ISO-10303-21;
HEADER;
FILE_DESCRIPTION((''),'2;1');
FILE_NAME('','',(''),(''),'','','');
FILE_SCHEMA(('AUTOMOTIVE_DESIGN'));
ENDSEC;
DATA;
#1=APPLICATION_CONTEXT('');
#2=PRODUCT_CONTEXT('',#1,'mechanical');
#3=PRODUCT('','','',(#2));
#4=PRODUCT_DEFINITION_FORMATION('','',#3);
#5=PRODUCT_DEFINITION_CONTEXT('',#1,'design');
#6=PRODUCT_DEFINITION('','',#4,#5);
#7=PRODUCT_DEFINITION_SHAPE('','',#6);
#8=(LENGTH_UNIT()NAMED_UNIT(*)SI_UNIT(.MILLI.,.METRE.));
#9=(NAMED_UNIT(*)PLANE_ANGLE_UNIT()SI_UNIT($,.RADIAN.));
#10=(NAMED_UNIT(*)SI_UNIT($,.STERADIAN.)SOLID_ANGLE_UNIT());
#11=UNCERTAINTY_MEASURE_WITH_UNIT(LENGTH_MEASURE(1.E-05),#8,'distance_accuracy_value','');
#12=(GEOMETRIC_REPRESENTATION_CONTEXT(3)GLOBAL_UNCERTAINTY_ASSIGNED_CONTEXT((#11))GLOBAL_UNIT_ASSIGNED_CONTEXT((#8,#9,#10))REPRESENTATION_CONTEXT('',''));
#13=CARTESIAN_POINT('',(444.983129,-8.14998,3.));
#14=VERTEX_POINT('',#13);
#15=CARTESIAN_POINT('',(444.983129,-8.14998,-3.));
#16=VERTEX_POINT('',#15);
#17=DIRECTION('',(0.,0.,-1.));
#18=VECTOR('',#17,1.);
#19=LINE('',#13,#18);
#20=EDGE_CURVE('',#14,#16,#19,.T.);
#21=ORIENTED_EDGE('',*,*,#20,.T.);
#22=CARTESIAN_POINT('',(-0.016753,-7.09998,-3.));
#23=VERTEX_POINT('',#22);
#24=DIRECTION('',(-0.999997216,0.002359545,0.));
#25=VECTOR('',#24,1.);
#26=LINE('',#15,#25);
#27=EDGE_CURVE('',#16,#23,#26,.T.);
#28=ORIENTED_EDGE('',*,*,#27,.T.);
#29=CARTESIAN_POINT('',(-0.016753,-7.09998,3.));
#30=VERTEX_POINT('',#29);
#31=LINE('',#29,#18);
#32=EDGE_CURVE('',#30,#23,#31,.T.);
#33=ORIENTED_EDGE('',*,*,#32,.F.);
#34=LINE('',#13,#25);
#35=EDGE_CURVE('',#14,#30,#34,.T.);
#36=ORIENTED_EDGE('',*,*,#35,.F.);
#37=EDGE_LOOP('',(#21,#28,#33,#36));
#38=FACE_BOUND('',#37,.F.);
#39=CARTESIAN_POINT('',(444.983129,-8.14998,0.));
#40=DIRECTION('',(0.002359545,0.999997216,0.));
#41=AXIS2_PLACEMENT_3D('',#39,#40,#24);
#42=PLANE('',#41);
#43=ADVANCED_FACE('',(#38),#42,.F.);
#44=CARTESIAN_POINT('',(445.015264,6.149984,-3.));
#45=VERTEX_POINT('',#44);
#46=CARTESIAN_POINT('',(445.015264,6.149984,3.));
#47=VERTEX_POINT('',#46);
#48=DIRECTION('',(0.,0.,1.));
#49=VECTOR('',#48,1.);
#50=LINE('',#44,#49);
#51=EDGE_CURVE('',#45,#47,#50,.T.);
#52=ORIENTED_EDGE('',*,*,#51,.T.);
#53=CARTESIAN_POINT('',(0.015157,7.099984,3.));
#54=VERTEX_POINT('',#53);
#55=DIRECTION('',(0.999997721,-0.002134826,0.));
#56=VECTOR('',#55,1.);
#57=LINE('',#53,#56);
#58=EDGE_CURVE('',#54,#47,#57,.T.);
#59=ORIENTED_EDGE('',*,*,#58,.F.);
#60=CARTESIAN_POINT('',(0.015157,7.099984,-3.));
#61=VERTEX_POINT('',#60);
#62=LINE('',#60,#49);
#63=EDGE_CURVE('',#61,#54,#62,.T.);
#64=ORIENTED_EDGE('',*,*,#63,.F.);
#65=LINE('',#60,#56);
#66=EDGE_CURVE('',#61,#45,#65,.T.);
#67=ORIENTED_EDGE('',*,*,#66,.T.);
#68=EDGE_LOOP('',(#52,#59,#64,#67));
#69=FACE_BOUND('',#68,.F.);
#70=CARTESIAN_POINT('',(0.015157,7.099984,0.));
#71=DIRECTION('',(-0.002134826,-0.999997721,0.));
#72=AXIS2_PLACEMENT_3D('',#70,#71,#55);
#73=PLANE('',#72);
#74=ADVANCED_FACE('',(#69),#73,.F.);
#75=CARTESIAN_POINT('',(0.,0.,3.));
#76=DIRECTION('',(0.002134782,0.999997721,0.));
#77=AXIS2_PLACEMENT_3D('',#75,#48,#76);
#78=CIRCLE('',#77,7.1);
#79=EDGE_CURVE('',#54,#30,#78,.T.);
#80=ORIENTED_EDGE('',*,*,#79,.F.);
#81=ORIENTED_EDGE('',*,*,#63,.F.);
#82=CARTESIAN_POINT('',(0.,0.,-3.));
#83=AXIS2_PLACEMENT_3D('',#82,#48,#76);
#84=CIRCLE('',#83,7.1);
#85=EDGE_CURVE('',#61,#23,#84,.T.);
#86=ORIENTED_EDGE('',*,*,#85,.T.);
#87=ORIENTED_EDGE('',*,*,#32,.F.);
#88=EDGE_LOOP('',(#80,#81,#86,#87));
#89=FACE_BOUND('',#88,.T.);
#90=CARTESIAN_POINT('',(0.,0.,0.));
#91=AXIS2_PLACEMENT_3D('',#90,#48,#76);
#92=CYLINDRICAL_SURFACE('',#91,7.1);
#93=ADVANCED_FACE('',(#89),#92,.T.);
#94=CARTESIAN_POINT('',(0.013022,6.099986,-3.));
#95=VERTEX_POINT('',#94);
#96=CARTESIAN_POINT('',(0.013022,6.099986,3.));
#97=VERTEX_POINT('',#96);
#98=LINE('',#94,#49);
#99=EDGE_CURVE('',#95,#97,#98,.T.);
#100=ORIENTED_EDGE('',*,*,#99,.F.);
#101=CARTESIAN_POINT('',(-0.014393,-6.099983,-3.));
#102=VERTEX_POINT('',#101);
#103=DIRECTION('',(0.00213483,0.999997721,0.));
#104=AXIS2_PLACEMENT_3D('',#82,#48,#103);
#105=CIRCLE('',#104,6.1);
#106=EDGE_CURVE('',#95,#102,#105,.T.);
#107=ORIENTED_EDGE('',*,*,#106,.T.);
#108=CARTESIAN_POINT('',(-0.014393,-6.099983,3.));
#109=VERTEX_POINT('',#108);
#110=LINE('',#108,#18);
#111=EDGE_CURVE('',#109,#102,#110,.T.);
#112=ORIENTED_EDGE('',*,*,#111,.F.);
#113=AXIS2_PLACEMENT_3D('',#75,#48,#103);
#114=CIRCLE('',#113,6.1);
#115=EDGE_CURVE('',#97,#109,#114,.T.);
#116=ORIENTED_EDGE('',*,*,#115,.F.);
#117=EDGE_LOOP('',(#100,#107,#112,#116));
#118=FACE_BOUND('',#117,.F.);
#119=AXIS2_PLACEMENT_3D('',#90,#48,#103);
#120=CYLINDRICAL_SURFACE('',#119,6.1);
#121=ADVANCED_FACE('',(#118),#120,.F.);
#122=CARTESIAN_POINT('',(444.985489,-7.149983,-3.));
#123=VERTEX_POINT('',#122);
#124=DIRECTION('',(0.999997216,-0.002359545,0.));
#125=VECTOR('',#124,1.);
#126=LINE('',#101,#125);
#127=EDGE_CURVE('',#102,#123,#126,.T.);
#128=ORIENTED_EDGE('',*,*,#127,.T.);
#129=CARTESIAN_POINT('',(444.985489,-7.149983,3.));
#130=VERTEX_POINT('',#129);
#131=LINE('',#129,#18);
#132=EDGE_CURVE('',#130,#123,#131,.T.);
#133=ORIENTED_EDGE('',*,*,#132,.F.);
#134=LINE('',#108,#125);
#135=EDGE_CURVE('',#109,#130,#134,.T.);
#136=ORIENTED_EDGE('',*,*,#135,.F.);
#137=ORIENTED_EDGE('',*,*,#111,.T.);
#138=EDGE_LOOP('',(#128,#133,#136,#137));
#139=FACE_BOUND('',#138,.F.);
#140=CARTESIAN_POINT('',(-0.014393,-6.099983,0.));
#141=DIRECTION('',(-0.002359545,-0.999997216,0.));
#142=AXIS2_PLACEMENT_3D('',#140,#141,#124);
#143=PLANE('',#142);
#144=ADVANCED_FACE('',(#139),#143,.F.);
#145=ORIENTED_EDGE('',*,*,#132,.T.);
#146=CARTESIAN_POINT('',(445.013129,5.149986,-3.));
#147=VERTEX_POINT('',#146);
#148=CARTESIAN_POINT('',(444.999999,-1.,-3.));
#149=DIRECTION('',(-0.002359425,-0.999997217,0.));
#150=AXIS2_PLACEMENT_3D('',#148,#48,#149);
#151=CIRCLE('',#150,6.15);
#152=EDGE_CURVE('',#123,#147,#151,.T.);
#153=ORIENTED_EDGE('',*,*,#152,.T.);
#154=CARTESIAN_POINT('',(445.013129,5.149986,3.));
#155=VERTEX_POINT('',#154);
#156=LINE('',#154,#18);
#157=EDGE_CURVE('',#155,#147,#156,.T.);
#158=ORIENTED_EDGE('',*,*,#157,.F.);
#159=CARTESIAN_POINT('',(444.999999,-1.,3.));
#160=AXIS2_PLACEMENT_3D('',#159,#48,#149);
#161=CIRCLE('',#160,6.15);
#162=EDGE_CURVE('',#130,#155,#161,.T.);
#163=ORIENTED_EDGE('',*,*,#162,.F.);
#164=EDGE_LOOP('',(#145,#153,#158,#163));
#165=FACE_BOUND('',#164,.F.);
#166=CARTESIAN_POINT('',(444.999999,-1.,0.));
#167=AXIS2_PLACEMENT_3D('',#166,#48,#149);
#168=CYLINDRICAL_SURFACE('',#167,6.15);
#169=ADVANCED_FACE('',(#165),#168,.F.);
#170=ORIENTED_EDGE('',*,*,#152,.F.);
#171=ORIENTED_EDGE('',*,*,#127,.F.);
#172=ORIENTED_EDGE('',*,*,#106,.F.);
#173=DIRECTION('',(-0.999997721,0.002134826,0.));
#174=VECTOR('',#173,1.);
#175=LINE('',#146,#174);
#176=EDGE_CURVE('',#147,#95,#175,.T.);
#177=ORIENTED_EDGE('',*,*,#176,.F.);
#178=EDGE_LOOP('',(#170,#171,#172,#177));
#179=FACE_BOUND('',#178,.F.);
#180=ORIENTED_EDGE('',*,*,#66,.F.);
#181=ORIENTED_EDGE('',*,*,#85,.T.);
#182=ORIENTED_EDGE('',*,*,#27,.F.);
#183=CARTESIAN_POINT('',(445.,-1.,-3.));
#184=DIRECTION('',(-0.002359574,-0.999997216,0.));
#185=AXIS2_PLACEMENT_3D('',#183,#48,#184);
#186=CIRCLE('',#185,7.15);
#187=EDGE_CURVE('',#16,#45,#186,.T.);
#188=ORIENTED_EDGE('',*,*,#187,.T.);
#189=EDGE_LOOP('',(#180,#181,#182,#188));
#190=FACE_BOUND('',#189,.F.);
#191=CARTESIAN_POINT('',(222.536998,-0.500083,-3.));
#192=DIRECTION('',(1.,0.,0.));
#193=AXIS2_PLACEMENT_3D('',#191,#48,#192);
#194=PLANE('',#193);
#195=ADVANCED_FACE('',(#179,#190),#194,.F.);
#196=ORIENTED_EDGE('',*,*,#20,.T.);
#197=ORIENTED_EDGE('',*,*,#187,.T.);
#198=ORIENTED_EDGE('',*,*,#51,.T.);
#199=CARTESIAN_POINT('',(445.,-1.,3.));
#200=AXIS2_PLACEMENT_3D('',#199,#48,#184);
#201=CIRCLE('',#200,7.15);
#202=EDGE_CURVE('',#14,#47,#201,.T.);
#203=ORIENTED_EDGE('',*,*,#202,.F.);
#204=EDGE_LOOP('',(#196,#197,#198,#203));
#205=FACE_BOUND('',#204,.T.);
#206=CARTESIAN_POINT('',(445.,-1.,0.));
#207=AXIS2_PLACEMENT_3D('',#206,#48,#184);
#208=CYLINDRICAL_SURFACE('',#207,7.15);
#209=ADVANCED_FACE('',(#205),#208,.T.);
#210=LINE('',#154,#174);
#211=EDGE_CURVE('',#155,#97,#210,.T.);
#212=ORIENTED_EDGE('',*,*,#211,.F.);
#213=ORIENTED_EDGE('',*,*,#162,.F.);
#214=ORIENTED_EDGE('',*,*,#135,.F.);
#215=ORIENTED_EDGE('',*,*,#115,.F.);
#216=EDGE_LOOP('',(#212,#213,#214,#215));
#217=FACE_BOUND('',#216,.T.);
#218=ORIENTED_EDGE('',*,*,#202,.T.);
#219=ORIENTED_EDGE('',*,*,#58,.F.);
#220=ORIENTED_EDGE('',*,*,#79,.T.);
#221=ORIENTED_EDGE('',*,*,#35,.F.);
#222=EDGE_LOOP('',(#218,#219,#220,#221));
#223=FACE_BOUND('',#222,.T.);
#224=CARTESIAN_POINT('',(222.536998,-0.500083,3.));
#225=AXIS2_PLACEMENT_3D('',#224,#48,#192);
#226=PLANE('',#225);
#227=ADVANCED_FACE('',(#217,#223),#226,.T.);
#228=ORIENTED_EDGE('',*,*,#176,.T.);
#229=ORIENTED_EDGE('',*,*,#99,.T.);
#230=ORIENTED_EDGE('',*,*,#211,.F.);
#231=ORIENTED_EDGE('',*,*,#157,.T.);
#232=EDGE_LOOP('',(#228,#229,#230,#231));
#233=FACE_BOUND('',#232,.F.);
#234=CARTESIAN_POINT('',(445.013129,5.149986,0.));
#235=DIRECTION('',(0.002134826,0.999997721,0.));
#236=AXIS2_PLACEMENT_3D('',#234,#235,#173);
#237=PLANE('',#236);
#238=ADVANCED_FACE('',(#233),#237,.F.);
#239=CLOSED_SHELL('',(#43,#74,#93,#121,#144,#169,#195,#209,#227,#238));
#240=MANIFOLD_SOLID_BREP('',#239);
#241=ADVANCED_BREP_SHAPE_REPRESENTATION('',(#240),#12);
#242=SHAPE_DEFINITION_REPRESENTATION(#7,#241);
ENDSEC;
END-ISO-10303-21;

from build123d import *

# Parameters (mm, degrees)
PAD019_DEPTH = 3


with BuildPart() as part:
    # Sketch045 → Pad019 (new body, symmetric)
    with BuildSketch(Plane.XY):
        with BuildLine():
            ThreePointArc((444.983129, -8.14998), (452.149982, -1.016067), (445.015264, 6.149984))
            Line((0.015157, 7.099984), (445.015264, 6.149984))
            ThreePointArc((0.015157, 7.099984), (-7.099982, 0.015955), (-0.016753, -7.09998))
            Line((444.983129, -8.14998), (-0.016753, -7.09998))
        make_face()
        with BuildLine():
            ThreePointArc((0.013022, 6.099986), (-6.099985, 0.013708), (-0.014393, -6.099983))
            Line((-0.014393, -6.099983), (444.985489, -7.149983))
            ThreePointArc((444.985489, -7.149983), (451.149984, -1.01382), (445.013129, 5.149986))
            Line((445.013129, 5.149986), (0.013022, 6.099986))
        make_face(mode=Mode.SUBTRACT)
    extrude(amount=PAD019_DEPTH, both=True)


solid = part.part
